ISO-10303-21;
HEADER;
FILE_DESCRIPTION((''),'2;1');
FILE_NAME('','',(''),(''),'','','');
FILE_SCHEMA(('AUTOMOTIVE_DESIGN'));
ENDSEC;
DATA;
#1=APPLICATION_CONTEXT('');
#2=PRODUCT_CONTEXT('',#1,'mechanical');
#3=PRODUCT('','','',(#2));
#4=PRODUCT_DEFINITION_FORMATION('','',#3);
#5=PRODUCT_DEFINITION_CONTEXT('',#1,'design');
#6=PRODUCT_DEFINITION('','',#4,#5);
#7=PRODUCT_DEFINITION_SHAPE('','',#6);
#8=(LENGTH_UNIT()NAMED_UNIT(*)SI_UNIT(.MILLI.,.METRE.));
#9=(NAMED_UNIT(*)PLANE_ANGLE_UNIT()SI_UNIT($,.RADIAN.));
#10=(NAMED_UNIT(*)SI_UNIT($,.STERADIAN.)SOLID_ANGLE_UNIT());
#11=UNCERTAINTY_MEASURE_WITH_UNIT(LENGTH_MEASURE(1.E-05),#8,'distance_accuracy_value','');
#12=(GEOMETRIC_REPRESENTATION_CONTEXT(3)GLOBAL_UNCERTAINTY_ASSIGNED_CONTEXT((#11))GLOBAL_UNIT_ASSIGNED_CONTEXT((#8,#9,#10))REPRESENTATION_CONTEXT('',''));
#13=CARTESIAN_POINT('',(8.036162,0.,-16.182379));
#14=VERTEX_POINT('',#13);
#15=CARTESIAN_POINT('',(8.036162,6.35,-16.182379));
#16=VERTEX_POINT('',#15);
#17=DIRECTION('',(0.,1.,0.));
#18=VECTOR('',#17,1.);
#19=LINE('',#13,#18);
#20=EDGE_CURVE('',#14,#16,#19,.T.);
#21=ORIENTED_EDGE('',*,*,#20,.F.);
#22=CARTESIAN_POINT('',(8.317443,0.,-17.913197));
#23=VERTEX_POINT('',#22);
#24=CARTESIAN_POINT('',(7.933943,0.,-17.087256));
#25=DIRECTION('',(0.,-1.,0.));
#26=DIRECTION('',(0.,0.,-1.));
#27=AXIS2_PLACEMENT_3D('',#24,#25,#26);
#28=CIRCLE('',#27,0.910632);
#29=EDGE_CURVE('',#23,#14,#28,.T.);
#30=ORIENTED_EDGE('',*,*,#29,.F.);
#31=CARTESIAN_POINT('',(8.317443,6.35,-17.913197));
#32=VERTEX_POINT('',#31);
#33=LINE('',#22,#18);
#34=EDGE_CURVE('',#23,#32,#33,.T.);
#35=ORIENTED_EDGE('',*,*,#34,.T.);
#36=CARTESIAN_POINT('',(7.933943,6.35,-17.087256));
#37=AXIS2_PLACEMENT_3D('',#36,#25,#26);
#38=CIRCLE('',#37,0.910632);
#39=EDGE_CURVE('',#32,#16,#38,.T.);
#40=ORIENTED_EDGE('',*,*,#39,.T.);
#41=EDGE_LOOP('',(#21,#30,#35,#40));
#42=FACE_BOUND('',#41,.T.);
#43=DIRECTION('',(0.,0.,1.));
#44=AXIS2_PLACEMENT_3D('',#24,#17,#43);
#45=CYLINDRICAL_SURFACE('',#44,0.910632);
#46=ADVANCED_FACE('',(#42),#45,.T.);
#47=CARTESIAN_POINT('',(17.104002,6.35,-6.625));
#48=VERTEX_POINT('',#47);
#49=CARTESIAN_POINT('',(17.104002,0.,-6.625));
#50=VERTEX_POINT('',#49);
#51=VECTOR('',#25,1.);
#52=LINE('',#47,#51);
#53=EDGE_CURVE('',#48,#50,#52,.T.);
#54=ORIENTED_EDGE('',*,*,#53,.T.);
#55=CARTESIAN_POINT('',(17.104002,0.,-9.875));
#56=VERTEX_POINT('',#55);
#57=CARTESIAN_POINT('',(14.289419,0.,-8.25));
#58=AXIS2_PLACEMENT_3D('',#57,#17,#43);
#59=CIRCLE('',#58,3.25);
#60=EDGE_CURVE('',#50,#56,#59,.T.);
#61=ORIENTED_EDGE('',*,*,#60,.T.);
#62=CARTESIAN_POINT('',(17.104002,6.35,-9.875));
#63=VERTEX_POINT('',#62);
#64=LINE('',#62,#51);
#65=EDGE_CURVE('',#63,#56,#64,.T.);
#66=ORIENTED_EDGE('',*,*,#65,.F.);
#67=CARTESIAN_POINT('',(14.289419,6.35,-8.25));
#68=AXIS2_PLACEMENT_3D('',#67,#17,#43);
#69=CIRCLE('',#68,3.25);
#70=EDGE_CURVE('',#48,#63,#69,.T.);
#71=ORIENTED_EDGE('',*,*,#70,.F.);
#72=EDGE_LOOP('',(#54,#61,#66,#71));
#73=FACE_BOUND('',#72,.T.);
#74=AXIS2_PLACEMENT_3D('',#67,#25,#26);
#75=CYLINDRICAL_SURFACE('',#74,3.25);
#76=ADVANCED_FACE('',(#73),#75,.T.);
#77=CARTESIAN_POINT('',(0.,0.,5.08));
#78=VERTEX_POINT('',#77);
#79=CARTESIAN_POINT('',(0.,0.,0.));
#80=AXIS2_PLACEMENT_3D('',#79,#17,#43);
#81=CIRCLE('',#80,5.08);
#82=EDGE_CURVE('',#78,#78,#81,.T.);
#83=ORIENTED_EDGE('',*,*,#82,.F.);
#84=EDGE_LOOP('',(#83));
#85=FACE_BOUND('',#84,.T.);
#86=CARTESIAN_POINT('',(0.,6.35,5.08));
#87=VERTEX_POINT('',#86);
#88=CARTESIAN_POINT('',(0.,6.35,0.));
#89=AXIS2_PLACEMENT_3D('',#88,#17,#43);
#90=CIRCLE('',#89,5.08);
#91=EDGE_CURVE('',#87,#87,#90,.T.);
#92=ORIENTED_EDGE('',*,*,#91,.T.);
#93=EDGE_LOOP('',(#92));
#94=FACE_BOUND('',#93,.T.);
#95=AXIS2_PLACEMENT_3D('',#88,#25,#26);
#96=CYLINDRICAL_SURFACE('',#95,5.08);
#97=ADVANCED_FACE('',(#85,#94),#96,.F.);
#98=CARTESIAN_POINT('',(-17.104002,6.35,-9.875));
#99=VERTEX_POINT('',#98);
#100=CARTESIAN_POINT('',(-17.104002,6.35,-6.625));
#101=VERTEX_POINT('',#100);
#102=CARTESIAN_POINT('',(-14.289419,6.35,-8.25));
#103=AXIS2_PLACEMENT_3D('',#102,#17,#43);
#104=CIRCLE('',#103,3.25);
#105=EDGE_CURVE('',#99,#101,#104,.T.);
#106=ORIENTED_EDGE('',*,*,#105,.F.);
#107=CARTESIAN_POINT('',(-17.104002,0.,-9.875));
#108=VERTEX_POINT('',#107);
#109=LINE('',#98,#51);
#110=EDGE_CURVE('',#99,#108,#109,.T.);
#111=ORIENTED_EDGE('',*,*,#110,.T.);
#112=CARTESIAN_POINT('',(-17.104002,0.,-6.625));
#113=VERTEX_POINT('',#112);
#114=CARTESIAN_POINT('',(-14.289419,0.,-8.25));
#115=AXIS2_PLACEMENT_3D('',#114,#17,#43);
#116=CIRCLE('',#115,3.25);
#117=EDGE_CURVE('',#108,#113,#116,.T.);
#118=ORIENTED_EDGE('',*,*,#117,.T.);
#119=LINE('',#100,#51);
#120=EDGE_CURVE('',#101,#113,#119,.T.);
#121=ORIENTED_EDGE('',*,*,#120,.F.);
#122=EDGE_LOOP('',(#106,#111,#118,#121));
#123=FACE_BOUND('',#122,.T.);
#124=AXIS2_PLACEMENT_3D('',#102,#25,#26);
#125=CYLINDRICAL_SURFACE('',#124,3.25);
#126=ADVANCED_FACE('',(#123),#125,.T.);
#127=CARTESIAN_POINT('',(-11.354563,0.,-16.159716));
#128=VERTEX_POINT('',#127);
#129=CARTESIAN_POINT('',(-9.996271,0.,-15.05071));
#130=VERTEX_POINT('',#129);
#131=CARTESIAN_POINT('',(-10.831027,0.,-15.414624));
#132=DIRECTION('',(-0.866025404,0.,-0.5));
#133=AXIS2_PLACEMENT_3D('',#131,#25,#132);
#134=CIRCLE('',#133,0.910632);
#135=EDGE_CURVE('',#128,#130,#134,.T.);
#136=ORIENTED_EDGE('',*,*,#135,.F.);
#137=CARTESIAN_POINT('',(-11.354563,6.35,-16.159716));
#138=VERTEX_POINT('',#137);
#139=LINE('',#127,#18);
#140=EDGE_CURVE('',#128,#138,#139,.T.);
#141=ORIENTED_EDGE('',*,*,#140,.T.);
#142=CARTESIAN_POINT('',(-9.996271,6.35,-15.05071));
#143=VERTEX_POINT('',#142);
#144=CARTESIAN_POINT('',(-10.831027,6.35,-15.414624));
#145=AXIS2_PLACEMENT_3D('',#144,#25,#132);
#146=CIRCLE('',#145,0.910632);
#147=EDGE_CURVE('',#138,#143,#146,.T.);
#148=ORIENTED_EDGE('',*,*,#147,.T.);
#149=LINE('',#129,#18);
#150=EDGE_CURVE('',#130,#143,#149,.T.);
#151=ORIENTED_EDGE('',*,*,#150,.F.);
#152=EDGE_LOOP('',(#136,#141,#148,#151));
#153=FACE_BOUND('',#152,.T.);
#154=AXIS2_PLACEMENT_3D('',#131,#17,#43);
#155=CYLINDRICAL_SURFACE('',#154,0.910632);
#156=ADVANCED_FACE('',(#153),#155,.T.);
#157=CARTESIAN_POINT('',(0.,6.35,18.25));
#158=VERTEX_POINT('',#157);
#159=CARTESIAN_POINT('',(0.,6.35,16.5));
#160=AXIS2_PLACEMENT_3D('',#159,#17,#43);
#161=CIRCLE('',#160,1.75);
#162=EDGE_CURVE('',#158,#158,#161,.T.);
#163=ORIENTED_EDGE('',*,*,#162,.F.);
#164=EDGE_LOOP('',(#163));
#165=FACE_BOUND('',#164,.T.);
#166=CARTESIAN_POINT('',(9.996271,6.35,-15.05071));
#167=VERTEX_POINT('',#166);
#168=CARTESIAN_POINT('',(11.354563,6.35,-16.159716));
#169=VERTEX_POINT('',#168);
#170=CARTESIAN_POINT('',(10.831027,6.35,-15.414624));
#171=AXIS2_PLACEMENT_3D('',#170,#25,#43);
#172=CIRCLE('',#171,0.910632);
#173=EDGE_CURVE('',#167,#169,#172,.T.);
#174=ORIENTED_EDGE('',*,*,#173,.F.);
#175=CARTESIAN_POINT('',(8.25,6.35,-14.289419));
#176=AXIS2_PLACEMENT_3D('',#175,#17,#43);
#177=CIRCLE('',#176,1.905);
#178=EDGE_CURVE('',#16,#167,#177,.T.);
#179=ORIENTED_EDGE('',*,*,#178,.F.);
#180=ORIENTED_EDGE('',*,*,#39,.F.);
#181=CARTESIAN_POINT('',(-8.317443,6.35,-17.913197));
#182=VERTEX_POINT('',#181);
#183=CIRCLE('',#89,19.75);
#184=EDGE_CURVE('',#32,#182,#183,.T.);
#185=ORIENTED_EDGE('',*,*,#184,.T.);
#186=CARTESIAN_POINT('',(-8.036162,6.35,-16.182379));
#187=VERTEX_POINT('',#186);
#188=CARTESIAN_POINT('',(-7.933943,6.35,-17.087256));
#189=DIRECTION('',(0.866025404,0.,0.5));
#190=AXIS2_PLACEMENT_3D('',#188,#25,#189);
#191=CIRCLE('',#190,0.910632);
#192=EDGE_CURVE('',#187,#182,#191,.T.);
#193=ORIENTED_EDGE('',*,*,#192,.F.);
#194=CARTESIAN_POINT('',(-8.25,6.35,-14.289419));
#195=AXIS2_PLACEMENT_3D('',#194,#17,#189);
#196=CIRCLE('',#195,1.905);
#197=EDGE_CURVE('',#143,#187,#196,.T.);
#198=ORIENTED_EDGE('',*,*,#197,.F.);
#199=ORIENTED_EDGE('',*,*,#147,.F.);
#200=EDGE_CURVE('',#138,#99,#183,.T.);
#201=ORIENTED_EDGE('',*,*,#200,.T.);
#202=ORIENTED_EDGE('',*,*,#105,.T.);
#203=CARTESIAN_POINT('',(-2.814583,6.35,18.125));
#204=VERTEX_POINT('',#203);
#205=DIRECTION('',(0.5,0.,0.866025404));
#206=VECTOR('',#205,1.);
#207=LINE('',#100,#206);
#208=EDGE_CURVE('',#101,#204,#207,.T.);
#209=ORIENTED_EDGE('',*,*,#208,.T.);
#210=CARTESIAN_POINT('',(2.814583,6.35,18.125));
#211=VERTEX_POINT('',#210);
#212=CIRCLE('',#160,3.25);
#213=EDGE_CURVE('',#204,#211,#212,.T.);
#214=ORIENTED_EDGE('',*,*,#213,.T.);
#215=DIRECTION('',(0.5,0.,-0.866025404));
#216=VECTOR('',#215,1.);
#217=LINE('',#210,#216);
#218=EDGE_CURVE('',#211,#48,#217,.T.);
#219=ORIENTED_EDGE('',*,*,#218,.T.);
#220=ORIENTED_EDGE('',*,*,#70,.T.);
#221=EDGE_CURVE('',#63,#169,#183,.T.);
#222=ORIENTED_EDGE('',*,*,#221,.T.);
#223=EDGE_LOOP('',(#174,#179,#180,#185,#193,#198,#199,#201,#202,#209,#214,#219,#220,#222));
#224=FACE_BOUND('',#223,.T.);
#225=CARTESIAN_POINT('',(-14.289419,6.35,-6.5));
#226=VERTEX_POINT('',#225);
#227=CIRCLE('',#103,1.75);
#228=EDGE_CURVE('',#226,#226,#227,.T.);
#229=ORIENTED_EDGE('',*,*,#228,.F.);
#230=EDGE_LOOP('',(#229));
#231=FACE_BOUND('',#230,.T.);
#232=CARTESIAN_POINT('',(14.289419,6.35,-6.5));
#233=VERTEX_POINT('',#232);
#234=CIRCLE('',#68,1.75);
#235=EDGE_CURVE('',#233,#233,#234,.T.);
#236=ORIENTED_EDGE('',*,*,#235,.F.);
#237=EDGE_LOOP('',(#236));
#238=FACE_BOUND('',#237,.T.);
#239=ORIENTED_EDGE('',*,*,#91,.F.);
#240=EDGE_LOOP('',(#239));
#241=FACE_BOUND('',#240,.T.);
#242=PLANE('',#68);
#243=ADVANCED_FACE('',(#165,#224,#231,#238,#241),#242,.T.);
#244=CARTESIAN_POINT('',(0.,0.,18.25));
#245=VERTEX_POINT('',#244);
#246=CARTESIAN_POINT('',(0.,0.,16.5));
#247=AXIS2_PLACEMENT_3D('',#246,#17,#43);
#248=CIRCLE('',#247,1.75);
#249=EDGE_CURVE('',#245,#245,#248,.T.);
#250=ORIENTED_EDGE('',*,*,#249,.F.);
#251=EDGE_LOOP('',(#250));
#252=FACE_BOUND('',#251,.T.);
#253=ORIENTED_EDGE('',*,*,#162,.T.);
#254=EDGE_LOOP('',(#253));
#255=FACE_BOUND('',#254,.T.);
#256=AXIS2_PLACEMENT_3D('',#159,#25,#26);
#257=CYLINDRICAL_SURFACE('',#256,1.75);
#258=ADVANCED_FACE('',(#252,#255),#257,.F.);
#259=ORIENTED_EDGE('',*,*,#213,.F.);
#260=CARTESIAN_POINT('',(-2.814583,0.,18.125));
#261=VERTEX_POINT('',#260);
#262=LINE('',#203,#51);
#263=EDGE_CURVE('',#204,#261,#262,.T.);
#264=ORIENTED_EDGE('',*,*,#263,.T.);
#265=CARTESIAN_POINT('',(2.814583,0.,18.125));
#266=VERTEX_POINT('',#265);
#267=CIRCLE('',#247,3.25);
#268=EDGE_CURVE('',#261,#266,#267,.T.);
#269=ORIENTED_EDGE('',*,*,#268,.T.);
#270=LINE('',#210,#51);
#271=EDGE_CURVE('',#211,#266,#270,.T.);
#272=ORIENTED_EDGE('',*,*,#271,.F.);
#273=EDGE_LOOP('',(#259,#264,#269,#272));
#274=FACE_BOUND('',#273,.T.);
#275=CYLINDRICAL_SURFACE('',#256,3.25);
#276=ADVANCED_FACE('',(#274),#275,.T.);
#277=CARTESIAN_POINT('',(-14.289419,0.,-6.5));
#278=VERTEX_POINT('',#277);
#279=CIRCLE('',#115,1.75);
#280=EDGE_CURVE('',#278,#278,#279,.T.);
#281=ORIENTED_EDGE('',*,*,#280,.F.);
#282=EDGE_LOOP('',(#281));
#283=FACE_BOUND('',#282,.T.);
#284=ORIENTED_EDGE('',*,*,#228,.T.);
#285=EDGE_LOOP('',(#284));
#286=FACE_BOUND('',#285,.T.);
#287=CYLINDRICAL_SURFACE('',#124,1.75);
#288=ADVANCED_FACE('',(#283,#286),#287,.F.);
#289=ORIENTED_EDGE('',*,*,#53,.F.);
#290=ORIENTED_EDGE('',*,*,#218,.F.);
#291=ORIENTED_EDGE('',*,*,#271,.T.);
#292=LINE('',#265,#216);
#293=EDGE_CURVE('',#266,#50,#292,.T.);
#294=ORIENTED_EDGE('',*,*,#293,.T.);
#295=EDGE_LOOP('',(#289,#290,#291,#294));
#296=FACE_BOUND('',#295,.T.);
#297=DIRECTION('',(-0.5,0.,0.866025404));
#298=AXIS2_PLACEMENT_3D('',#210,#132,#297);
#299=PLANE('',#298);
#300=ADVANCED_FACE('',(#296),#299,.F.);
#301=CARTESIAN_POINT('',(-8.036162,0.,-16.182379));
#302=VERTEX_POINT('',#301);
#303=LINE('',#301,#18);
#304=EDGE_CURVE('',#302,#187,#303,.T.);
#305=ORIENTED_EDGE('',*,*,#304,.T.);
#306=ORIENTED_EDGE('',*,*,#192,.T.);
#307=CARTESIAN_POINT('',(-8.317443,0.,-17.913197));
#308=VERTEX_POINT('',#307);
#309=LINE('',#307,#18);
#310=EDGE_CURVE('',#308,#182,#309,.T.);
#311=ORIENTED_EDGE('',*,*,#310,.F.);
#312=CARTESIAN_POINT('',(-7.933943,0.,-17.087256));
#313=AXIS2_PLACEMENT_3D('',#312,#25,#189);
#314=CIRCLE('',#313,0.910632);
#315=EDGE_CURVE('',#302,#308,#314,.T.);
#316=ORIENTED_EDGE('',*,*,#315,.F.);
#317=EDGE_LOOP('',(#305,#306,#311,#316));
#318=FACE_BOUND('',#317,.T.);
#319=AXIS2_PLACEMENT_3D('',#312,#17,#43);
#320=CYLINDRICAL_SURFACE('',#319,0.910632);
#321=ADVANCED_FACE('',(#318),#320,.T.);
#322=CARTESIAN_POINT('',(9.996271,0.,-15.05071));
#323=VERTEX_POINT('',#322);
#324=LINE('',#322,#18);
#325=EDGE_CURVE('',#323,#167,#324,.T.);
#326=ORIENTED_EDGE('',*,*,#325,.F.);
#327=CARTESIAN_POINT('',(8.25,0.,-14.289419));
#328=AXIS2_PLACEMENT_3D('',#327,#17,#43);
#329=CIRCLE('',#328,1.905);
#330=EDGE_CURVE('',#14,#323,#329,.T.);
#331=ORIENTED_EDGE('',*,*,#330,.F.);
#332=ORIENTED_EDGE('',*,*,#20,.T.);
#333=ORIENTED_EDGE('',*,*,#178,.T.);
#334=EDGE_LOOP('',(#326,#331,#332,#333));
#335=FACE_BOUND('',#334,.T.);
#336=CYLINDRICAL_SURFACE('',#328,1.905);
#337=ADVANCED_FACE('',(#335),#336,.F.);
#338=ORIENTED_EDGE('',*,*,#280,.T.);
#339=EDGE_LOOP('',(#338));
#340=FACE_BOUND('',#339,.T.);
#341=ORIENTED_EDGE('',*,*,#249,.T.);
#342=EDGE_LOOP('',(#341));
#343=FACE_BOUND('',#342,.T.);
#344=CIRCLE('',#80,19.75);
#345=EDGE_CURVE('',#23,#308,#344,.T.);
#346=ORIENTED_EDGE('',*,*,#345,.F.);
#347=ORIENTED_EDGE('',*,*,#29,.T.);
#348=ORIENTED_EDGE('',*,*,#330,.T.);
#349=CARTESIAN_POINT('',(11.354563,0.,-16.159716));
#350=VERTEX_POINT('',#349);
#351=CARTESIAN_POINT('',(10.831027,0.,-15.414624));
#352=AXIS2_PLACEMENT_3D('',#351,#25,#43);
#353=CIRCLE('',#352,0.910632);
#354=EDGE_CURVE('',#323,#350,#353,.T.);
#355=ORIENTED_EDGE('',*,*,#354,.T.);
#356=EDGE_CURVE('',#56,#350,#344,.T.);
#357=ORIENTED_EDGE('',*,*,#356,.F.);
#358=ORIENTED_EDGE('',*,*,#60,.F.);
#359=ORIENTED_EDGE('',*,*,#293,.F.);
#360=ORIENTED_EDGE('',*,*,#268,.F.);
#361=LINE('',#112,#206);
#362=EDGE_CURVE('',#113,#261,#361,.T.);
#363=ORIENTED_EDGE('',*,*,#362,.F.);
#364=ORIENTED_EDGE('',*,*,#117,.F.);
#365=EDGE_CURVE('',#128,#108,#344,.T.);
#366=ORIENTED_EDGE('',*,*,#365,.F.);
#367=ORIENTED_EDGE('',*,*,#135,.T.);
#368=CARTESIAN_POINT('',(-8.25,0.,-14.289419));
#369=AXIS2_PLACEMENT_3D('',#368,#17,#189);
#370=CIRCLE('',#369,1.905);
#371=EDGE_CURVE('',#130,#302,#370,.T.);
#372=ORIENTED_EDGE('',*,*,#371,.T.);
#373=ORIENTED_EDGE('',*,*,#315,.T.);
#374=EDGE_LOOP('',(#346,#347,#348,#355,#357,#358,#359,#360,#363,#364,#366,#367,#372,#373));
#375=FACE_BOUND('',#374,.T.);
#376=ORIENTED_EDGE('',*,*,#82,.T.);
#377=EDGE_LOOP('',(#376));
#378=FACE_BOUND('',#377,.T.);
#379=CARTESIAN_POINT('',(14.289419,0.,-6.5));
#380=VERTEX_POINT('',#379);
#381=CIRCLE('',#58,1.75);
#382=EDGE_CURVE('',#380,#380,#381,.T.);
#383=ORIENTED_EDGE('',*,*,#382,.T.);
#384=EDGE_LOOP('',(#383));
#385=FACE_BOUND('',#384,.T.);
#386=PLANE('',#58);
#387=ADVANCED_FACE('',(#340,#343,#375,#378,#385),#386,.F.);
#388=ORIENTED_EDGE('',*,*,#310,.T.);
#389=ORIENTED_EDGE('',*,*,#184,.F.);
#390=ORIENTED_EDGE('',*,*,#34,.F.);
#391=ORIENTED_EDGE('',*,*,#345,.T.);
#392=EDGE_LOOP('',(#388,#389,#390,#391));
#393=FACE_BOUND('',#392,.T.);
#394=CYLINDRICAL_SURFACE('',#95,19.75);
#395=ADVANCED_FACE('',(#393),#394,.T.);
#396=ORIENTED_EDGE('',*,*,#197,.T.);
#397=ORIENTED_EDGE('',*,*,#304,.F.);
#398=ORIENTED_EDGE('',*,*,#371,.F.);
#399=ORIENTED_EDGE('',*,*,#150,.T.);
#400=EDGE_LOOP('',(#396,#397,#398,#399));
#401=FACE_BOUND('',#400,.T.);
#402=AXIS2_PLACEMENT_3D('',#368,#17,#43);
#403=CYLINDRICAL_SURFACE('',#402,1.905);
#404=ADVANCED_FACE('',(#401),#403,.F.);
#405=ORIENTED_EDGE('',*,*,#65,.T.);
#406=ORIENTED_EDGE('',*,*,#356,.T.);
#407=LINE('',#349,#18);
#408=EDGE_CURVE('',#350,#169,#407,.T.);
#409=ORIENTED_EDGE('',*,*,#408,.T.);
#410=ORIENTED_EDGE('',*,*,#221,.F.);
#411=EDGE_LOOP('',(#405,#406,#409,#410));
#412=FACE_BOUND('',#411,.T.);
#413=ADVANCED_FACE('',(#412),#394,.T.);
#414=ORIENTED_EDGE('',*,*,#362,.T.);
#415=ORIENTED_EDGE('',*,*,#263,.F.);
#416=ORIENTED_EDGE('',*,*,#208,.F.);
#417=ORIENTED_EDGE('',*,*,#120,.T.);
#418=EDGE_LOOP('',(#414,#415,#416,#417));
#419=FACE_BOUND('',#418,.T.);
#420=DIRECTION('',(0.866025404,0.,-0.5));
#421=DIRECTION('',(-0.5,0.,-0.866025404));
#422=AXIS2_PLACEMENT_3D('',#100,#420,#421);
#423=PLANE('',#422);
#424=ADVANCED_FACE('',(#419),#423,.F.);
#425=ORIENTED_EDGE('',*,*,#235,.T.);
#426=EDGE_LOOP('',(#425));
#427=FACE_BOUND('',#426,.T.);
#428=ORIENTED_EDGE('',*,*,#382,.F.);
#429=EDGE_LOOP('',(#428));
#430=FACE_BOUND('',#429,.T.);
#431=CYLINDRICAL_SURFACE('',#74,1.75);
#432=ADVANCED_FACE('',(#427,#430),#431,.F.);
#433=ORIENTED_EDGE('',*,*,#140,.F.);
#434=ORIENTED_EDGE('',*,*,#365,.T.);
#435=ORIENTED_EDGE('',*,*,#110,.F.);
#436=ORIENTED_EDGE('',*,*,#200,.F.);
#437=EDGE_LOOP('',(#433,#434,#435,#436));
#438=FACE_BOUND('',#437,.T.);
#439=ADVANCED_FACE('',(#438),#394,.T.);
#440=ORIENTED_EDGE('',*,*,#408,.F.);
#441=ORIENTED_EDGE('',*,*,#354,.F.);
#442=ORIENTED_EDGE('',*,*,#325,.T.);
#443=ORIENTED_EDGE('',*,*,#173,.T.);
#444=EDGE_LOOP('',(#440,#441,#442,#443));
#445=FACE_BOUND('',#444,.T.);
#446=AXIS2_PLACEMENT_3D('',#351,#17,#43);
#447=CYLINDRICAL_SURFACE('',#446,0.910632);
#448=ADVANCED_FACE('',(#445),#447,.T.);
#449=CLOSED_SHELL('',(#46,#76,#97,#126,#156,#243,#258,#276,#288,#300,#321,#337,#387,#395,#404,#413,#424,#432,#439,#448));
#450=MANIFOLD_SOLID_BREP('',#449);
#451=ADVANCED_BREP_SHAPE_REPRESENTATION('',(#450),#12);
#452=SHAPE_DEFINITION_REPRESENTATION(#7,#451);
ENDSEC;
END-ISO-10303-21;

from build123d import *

# Parameters (mm, degrees)
SKETCH1_R           = 5.08
SKETCH1_R_2         = 1.75
BOSS_EXTRUDE1_DEPTH = 6.35
CUT_EXTRUDE1_DEPTH  = 7.35
CIRPATTERN1_COUNT   = 2
CIRPATTERN1_ANGLE   = 60


with BuildPart() as part:
    # Sketch1 → Boss-Extrude1 (new body)
    with BuildSketch(Plane(origin=(0, 0, 0), x_dir=(1, 0, 0), z_dir=(0, 1, 0))):
        with BuildLine():
            Line((-17.104001725, 6.625), (-2.814582562, -18.125))
            ThreePointArc((-2.814582562, -18.125), (0, -19.75), (2.814582562, -18.125))
            Line((2.814582562, -18.125), (17.104001725, 6.625))
            ThreePointArc((17.104001725, 6.625), (17.539419162, 8.25), (17.104001725, 9.875))
            ThreePointArc((17.104001725, 9.875), (0, 19.75), (-17.104001725, 9.875))
            ThreePointArc((-17.104001725, 9.875), (-17.539419162, 8.25), (-17.104001725, 6.625))
        make_face()
        Circle(SKETCH1_R, mode=Mode.SUBTRACT)
        with Locations((-14.289419162, 8.25)):
            Circle(SKETCH1_R_2, mode=Mode.SUBTRACT)
        with Locations((0, -16.5)):
            Circle(SKETCH1_R_2, mode=Mode.SUBTRACT)
        with Locations((14.289419162, 8.25)):
            Circle(SKETCH1_R_2, mode=Mode.SUBTRACT)
    extrude(amount=BOSS_EXTRUDE1_DEPTH)

    # Sketch2 → Cut-Extrude1 (cut, through all)
    with BuildSketch(Plane(origin=(0, 6.35, 0), x_dir=(1, 0, 0), z_dir=(0, 1, 0))):
        with BuildLine():
            ThreePointArc((8.036161973, 16.182379357), (7.2975, 12.639640768), (9.99627063, 15.050710096))
            ThreePointArc((9.99627063, 15.050710096), (10.255103275, 16.120005739), (11.354562521, 16.159715652))
            ThreePointArc((11.354562521, 16.159715652), (9.875, 17.104001725), (8.317443012, 17.913197418))
            ThreePointArc((8.317443012, 17.913197418), (8.832782842, 16.941182824), (8.036161973, 16.182379357))
        make_face()
    cut_extrude1 = extrude(amount=-CUT_EXTRUDE1_DEPTH, mode=Mode.SUBTRACT)

    # CirPattern1: Cut-Extrude1 ×2 about axis
    cirpattern1_axis = Axis((0, 0, 0), (0, 1, 0))
    for i in range(1, CIRPATTERN1_COUNT):
        add(cut_extrude1.rotate(cirpattern1_axis, i * CIRPATTERN1_ANGLE / (CIRPATTERN1_COUNT - 1)), mode=Mode.SUBTRACT)


solid = part.part
